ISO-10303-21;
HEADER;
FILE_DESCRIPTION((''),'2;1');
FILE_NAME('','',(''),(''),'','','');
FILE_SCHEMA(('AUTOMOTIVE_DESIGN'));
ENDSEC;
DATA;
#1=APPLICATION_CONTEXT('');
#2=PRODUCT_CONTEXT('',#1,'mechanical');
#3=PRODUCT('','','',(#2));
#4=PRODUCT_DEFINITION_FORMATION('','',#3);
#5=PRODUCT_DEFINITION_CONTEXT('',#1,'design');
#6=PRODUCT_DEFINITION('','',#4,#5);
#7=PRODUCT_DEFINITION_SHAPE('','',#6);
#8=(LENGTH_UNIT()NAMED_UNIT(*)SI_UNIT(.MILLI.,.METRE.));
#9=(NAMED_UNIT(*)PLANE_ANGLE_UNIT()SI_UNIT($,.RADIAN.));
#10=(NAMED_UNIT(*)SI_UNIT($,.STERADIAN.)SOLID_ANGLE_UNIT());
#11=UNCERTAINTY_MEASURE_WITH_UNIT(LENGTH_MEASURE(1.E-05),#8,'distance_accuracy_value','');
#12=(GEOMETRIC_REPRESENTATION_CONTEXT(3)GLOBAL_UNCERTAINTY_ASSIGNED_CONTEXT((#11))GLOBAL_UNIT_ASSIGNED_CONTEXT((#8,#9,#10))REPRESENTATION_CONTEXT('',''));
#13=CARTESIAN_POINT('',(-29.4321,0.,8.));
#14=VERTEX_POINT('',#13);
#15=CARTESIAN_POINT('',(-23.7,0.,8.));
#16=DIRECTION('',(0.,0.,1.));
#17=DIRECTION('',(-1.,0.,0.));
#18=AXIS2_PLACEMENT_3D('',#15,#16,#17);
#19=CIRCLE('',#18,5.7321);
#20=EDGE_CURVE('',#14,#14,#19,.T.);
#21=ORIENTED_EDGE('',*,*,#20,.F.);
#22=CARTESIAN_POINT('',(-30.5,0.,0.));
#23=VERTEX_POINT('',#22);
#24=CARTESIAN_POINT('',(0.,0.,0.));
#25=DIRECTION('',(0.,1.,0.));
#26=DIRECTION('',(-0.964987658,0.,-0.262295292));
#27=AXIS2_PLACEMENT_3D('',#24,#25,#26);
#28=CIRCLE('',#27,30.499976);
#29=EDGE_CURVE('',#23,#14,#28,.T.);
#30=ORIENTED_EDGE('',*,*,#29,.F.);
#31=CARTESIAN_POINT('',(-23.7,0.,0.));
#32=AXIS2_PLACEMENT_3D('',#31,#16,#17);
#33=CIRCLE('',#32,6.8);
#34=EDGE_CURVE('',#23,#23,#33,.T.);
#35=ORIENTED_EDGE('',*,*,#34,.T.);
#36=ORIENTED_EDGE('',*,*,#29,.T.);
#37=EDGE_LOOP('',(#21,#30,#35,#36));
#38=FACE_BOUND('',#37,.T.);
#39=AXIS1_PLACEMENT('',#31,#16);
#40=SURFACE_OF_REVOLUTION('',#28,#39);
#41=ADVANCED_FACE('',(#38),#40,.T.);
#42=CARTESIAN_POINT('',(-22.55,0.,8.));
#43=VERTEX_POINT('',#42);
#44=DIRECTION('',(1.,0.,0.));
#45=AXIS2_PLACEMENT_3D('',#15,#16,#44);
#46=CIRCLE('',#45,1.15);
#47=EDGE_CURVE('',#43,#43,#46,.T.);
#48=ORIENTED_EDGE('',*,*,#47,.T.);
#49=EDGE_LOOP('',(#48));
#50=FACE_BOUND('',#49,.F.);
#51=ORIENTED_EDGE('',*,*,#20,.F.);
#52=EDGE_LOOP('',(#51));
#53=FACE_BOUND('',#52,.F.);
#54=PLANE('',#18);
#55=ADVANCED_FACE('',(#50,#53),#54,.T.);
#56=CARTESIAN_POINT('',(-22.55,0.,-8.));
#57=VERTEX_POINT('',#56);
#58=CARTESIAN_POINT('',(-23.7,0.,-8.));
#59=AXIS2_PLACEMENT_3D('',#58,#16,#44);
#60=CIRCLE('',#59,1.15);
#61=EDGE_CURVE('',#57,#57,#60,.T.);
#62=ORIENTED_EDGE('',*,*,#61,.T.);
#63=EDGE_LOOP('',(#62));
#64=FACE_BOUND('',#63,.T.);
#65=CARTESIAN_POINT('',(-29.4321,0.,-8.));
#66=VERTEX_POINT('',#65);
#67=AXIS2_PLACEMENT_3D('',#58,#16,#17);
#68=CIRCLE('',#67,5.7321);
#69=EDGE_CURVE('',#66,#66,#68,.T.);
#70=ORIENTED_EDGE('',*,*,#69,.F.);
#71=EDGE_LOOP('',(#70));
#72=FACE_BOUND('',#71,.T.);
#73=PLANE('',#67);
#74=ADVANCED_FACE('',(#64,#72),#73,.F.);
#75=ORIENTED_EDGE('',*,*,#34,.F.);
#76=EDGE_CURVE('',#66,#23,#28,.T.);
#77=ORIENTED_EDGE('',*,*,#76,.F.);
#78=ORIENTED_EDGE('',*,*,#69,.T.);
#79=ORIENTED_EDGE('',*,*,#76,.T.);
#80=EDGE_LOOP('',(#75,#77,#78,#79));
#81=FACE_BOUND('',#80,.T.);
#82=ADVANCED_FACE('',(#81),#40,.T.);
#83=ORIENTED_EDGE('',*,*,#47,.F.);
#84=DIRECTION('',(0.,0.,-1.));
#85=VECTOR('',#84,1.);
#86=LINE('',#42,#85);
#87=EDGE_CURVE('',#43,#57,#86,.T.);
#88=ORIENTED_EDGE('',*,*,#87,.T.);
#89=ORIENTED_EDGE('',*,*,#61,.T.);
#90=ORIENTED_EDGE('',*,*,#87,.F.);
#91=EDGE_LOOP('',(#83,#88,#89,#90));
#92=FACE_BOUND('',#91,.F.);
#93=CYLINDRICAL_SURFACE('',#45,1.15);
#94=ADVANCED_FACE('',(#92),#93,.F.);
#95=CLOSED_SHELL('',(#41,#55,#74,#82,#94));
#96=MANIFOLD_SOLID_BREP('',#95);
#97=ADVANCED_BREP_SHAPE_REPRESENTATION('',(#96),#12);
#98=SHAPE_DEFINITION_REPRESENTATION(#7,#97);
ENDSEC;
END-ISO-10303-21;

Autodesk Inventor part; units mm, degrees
ref_plane "YZ Plane" through (0, 0, 0) normal (1, 0, 0) x (0, 1, 0)
ref_plane "XZ Plane" through (0, 0, 0) normal (0, 1, 0) x (-1, 0, 0)
ref_plane "XY Plane" through (0, 0, 0) normal (0, 0, 1) x (1, 0, 0)
sketch "Sketch1" plane through (0, 0, 0) normal (0, 1, 0) x (-1, 0, 0)
  arc A0 (29.4321, -8) -> (29.4321, 8) centre (0, 0) ccw
  line L0 (30.5, 0) -> (23.7, 0)
  line L1 (23.7, 0) -> (23.7, -8)
  line L2 (23.7, 0) -> (23.7, 8)
  line L3 (23.7, 8) -> (29.4321, 8)
  line L4 (23.7, -8) -> (29.4321, -8)
  dimension "d3" = 61
  dimension "d4" = 6.8
  dimension "d5" = 8
  dimension "d6" = 8
revolve "Revolution1" add sketch "Sketch1" angle 360 about axis through (-23.7, 0, 0) along (0, 0, 1)
sketch "Sketch2" plane through (-23.7, 0, 8) normal (0, 0, 1) x (1, 0, 0)
  circle A0 centre (0, 0) radius 1.15
  point P0 (23.7, 0)
  dimension "d8" = 2.3
extrude "Extrusion1" cut sketch "Sketch2" against normal blind 30
properties part number "OmnorollerV4"
